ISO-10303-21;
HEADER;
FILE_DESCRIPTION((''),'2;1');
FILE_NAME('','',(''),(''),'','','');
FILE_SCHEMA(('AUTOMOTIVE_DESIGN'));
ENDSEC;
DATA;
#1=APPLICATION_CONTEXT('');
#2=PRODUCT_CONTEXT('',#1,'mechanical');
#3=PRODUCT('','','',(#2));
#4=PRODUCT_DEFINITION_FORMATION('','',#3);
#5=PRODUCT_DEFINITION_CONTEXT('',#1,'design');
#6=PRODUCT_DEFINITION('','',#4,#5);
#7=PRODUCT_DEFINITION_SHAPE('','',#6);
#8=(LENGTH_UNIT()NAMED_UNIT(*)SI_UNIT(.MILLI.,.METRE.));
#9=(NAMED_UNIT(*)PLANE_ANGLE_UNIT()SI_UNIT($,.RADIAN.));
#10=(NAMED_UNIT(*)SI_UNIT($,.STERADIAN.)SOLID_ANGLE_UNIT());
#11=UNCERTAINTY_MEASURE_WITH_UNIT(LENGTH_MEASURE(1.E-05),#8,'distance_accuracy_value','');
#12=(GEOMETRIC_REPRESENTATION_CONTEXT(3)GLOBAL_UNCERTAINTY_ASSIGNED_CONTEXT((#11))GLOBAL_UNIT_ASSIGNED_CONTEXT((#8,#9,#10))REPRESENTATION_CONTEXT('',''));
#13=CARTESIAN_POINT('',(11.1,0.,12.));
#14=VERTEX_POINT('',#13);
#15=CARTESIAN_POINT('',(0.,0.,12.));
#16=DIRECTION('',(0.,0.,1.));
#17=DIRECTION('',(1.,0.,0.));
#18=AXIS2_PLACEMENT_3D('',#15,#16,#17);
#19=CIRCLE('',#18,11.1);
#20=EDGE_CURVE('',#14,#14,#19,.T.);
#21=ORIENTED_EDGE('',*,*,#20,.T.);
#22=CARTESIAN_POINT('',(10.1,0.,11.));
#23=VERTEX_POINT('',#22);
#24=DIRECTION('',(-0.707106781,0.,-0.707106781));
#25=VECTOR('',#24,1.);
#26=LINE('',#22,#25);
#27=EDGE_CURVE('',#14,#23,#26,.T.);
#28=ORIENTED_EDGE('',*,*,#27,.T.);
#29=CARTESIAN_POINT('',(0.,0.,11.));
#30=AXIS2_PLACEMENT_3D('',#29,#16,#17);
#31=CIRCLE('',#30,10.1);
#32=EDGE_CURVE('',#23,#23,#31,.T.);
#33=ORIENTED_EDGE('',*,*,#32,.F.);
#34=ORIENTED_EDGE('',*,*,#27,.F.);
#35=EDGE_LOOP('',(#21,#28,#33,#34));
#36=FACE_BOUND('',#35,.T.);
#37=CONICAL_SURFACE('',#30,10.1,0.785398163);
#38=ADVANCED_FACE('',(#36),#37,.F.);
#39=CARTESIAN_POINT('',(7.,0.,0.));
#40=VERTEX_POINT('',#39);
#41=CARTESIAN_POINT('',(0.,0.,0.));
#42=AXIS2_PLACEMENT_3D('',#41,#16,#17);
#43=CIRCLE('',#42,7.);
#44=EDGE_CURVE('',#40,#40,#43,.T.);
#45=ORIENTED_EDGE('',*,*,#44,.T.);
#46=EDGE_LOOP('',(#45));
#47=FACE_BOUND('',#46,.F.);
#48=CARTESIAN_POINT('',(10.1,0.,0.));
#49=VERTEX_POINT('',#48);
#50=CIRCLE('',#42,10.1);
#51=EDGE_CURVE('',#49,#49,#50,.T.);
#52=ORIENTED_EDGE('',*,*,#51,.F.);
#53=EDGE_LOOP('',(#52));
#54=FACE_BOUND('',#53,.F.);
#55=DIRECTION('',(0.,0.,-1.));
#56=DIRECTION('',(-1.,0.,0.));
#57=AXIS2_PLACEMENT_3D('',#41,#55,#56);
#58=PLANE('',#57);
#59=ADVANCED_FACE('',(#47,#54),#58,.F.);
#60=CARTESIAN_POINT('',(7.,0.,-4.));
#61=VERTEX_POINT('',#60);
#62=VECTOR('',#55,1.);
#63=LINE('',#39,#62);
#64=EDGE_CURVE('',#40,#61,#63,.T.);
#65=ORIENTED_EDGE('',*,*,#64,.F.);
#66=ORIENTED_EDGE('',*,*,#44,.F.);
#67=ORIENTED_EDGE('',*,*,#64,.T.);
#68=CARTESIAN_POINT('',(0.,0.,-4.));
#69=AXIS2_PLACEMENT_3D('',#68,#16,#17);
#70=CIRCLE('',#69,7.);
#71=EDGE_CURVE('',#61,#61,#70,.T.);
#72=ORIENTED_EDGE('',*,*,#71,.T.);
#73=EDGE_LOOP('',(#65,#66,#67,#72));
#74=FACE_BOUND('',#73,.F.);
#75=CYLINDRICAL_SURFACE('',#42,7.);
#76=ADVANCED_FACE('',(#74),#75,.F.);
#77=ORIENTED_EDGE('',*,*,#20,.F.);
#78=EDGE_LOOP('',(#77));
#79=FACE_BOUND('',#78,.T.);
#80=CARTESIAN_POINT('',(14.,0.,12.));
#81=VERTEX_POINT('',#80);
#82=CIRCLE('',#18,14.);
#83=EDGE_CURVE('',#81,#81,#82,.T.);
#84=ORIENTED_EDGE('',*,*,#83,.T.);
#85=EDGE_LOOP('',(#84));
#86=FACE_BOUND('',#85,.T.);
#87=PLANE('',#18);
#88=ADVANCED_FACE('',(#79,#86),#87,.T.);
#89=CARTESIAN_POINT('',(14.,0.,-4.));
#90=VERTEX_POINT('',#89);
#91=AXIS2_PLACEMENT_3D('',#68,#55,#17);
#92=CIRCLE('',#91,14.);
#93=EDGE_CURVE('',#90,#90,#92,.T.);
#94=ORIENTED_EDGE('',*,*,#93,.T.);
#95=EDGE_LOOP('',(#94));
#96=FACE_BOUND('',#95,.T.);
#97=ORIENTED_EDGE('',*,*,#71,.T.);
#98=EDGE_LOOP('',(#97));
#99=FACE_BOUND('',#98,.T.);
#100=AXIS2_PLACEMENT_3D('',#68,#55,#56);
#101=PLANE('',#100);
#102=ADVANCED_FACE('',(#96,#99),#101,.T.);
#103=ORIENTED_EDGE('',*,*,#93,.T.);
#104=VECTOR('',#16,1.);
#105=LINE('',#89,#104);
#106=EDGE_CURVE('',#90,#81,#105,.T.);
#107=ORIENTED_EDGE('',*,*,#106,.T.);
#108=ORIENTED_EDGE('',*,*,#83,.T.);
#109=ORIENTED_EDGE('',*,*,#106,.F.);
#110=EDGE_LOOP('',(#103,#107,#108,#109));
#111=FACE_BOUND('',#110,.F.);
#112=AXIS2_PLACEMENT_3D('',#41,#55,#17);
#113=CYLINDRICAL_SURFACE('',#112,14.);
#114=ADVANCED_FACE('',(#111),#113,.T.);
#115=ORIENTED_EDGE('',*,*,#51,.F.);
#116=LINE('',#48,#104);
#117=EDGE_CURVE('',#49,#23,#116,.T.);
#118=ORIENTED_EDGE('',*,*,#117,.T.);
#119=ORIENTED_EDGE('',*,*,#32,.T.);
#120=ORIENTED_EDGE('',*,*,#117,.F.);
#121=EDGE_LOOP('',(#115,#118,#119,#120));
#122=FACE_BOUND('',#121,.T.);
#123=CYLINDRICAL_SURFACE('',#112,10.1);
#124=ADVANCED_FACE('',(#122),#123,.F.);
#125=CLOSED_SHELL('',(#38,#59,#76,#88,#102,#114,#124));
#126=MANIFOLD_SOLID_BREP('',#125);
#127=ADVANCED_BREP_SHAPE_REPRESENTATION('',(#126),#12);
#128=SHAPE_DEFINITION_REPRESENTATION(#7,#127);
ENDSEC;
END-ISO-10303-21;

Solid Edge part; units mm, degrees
sketch "Sketch1" plane through (0, 0, 0) normal (0, 0, 1) x (1, 0, 0)
  circle A0 centre (0, 0) radius 10.1
  circle A1 centre (0, 0) radius 14
extrude "Protrusion1" add sketch "Sketch1" along normal blind 12
sketch "Sketch2" plane through (0, 0, 0) normal (0, 0, -1) x (1, 0, 0)
  circle A0 centre (0, 0) radius 14
extrude "ExtrudedProtrusion_2" add sketch "Sketch2" along normal blind 4
sketch "Sketch3" plane through (0, 0, 0) normal (0, 0, 1) x (1, 0, 0)
  circle A0 centre (0, 0) radius 7
  dimension "D1" = 14
extrude "Cutout1" cut sketch "Sketch3" against normal through all
chamfer "Chamfer_1" distance 1 angle 45 1 edges at (-10.1, 0, 12)
